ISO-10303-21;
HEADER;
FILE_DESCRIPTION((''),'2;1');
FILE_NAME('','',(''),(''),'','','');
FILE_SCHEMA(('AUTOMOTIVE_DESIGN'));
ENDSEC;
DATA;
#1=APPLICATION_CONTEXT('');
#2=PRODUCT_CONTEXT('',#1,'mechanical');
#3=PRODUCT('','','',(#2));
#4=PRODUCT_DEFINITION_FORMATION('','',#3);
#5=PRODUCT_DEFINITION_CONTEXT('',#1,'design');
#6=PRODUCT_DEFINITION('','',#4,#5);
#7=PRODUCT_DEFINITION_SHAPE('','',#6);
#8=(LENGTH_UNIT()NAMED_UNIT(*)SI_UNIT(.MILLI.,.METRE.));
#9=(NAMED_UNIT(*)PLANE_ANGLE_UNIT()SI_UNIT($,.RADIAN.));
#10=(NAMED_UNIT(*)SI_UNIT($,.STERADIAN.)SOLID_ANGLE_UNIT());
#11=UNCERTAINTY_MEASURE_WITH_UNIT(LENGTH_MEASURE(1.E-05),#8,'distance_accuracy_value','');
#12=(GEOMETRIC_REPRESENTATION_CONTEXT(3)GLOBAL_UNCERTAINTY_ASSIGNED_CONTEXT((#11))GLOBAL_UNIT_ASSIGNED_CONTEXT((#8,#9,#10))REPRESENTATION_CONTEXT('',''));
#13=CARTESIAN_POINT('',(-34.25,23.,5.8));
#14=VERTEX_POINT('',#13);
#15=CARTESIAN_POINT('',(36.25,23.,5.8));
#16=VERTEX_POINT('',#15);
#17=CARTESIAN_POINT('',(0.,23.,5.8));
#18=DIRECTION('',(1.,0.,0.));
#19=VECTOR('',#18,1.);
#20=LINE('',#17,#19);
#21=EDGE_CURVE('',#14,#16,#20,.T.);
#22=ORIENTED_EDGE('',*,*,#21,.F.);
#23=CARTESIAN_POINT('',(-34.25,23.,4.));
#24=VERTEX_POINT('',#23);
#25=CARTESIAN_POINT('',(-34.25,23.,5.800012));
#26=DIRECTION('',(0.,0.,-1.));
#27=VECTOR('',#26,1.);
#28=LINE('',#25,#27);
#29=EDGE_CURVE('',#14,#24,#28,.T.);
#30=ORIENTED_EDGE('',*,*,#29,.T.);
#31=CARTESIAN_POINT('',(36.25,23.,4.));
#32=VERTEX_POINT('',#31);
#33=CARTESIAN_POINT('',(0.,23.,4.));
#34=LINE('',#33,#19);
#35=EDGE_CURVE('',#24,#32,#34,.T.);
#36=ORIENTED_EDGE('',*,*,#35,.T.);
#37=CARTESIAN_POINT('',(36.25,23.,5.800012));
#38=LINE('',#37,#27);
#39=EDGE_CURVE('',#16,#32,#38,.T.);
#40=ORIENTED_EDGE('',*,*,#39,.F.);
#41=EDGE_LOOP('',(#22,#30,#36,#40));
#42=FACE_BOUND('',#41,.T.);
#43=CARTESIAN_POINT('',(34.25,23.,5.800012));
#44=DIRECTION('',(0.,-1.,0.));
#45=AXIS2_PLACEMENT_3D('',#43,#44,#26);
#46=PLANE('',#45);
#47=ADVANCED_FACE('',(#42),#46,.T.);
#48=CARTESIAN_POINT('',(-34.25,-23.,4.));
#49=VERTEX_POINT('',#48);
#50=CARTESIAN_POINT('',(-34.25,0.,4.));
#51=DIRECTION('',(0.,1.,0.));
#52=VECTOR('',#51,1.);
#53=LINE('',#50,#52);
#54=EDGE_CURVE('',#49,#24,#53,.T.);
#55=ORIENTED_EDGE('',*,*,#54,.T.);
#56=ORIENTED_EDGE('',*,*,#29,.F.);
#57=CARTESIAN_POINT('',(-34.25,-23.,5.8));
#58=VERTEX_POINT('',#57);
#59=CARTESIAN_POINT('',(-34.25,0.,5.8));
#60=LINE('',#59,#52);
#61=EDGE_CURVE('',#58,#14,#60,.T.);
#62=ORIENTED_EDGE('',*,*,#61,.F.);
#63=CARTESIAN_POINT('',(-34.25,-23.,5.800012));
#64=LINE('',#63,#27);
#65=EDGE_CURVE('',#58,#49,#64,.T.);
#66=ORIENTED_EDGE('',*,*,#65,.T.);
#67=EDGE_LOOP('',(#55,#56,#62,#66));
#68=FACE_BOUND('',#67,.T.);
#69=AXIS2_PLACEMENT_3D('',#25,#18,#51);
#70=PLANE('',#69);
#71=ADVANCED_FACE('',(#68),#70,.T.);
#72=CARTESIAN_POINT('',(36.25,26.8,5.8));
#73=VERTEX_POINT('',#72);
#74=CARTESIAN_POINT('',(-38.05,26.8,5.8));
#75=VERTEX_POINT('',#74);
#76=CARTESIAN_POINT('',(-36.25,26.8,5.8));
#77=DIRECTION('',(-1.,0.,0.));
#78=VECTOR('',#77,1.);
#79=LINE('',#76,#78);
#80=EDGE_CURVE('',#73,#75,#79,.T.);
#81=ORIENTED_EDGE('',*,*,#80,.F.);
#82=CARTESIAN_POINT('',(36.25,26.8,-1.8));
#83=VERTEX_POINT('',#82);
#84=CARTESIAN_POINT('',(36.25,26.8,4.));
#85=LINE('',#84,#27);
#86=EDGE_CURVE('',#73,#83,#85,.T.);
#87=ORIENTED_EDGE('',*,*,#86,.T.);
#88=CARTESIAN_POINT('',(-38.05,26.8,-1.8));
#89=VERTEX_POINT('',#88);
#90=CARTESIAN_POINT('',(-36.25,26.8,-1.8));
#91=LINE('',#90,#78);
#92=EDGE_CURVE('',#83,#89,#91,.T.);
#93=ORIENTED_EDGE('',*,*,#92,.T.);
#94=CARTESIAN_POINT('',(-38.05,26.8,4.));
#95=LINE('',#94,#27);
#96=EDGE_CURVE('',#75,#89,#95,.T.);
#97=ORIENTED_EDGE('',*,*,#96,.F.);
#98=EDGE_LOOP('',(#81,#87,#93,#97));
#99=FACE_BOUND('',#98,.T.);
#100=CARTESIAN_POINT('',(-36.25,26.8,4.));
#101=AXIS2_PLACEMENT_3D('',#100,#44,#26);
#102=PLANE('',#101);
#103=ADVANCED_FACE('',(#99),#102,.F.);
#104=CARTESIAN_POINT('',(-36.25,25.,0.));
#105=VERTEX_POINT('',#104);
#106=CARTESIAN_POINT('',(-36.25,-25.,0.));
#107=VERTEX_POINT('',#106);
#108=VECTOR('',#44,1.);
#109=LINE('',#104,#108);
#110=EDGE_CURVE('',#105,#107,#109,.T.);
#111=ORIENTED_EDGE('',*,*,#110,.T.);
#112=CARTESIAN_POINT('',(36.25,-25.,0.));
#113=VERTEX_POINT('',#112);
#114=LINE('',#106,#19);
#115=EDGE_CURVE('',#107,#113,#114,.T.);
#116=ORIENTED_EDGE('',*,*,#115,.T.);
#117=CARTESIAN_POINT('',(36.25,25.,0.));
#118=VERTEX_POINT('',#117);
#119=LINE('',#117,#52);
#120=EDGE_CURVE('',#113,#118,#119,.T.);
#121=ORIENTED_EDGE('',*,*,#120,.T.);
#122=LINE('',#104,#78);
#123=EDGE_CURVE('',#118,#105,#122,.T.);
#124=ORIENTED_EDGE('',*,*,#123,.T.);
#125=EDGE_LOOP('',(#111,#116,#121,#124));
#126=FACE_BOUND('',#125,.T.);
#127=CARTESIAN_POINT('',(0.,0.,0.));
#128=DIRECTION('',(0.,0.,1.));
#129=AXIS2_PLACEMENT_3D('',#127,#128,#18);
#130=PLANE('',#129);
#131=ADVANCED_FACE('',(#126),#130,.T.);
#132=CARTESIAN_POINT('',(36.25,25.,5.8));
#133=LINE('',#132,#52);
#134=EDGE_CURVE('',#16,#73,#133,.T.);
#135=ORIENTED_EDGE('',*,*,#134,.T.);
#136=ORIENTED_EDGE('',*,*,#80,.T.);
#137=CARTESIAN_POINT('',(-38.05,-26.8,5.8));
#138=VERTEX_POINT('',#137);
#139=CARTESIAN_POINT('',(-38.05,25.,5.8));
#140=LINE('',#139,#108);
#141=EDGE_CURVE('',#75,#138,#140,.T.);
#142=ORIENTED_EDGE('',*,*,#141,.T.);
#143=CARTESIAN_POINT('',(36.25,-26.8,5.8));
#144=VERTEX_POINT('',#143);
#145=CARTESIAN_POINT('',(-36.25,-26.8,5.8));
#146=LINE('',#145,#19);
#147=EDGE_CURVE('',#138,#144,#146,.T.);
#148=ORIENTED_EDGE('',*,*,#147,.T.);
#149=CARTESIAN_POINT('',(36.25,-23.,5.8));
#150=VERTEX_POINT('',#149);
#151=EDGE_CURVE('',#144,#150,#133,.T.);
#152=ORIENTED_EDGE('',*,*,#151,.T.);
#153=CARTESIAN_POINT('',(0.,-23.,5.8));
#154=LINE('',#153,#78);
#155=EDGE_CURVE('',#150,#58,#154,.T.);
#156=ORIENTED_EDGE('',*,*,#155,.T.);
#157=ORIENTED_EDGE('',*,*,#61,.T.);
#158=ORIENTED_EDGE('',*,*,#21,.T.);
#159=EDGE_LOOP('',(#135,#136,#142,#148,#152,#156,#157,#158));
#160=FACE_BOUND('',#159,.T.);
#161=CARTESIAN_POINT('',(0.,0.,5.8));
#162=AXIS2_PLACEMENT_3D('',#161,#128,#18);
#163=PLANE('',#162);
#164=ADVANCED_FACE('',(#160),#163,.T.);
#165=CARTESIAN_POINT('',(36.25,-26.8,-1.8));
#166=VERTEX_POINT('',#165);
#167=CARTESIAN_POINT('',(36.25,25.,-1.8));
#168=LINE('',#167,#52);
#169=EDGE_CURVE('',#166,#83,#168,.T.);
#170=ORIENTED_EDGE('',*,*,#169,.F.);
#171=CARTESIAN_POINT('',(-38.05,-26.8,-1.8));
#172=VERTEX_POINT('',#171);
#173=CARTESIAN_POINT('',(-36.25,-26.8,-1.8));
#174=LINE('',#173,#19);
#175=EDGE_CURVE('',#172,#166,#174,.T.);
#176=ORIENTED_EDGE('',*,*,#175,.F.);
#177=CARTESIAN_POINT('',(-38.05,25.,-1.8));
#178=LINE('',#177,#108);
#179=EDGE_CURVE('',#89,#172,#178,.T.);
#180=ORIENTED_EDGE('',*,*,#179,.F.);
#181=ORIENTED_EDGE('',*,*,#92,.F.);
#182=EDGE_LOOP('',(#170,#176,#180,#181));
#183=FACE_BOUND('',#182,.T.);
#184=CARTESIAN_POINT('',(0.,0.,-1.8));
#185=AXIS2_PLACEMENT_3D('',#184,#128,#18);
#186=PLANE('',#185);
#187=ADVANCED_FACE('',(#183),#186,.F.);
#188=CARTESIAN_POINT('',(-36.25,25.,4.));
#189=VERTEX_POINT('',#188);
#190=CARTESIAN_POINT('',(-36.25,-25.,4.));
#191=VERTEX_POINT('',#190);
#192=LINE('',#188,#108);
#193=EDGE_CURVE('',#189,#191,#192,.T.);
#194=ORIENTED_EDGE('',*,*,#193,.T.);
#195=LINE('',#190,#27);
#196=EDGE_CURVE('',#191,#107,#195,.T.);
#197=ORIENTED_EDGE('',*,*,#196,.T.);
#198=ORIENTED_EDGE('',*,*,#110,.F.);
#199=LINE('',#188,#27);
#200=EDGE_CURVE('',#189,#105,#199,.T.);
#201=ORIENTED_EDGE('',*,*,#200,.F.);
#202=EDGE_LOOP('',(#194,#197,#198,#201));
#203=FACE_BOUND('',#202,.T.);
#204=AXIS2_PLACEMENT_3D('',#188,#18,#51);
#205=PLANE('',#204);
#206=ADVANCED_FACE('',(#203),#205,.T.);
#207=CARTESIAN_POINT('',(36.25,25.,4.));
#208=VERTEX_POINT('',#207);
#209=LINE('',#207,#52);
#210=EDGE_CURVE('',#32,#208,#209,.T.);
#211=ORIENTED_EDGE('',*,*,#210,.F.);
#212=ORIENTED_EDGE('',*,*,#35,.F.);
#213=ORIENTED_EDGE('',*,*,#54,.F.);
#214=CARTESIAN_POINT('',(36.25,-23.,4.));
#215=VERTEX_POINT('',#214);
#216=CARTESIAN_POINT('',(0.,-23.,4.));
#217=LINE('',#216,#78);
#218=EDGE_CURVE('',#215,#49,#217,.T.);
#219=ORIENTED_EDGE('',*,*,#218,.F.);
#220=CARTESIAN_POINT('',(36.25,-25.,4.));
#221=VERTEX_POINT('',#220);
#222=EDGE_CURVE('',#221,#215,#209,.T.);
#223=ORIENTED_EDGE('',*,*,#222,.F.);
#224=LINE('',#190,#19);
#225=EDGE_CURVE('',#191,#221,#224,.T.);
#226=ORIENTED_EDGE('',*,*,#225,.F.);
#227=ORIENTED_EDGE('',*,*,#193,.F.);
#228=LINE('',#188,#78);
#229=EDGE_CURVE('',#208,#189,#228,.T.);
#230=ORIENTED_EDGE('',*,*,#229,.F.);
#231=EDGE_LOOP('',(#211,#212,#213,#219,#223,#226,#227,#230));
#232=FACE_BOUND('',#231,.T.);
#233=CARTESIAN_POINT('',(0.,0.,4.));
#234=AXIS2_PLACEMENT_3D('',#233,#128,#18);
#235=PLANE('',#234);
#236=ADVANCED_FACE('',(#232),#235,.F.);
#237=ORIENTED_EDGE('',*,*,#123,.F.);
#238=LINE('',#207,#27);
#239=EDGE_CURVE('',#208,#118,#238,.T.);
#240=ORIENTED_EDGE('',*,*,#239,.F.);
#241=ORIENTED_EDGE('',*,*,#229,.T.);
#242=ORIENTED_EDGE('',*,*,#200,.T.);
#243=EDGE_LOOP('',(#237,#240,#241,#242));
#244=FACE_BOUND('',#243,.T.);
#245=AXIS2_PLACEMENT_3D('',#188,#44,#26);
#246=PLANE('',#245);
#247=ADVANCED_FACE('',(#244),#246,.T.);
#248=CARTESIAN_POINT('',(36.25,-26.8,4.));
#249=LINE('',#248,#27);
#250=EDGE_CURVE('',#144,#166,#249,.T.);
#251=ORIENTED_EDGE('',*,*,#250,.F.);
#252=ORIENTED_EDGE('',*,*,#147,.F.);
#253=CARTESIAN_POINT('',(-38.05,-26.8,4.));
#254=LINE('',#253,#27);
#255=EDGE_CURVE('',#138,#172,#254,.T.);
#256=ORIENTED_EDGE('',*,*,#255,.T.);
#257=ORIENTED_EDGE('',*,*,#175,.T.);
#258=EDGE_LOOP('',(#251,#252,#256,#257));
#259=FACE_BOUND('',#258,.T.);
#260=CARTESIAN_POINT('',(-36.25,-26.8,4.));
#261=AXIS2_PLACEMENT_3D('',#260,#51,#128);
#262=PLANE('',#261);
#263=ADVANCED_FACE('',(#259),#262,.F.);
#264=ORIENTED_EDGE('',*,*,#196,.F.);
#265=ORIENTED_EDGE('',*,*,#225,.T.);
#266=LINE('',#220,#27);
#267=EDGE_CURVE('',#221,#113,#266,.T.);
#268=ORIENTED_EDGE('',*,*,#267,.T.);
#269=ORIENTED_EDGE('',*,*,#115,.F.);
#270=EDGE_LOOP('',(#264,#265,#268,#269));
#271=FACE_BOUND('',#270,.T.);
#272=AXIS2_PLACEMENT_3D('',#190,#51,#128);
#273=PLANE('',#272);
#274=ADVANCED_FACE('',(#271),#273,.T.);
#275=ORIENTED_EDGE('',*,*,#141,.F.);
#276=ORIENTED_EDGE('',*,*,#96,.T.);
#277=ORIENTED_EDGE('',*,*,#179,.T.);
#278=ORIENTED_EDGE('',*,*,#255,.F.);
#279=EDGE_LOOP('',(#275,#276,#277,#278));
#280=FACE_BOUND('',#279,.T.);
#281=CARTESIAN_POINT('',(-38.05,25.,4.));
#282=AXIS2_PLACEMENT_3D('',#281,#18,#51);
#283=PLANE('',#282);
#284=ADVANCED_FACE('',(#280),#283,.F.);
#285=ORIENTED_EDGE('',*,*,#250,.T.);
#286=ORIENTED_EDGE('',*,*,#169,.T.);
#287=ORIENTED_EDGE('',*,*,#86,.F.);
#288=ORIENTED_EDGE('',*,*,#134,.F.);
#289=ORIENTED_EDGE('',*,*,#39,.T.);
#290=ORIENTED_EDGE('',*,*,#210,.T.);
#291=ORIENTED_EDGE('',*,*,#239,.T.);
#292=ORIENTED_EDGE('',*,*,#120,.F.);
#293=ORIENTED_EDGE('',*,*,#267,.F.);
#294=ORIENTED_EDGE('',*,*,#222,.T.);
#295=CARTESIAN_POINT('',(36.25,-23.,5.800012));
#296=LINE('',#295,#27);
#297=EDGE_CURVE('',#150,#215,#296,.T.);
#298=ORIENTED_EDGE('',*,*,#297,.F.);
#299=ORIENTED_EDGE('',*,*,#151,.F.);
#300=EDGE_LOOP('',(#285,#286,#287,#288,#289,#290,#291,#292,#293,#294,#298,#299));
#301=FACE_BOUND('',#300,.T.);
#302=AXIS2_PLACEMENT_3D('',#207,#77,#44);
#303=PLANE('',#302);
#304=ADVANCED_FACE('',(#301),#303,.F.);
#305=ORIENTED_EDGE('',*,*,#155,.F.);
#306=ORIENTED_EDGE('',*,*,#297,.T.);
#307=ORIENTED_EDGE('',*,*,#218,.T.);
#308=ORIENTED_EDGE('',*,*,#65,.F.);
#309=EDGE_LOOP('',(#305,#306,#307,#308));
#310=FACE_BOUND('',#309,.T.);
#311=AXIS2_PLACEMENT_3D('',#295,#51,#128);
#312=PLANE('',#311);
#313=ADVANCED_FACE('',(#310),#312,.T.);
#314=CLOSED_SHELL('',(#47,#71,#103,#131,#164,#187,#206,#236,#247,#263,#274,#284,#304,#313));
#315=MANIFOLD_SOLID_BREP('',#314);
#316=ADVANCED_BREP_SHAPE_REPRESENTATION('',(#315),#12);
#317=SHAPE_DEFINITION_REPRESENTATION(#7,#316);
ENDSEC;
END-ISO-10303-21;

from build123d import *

# Parameters (mm, degrees)
SKETCH_1_W               = 72.5
SKETCH_1_H               = 50
EXTRUDE_1_DEPTH          = 4
SHELL_1_T                = 1.8
CUT_EXTRUDE_1_DEPTH      = 48.157210477
CUT_EXTRUDE_1_DEPTH_BACK = 4


with BuildPart() as part:
    # 草图1 → 凸台-拉伸1 (new body)
    with BuildSketch(Plane.XY):
        Rectangle(SKETCH_1_W, SKETCH_1_H)
    extrude(amount=EXTRUDE_1_DEPTH)

    # 抽壳1
    shell_1_openings = [part.faces().sort_by_distance(p)[0] for p in [
        (36.25, 0, 2),
    ]]
    offset(amount=SHELL_1_T, openings=shell_1_openings, kind=Kind.INTERSECTION)

    # 草图2 → 切除-拉伸1 (cut, two sides: drawn at the far end of the back side and taken through both)
    with BuildSketch(Plane.XY.offset(5.8).offset(-CUT_EXTRUDE_1_DEPTH_BACK)):
        Polygon((34.25, 23), (36.25, 23), (36.25, -23), (34.25, -23), (-34.25, -23), (-34.25, 23), align=None)
    extrude(amount=CUT_EXTRUDE_1_DEPTH + CUT_EXTRUDE_1_DEPTH_BACK, mode=Mode.SUBTRACT)


solid = part.part
